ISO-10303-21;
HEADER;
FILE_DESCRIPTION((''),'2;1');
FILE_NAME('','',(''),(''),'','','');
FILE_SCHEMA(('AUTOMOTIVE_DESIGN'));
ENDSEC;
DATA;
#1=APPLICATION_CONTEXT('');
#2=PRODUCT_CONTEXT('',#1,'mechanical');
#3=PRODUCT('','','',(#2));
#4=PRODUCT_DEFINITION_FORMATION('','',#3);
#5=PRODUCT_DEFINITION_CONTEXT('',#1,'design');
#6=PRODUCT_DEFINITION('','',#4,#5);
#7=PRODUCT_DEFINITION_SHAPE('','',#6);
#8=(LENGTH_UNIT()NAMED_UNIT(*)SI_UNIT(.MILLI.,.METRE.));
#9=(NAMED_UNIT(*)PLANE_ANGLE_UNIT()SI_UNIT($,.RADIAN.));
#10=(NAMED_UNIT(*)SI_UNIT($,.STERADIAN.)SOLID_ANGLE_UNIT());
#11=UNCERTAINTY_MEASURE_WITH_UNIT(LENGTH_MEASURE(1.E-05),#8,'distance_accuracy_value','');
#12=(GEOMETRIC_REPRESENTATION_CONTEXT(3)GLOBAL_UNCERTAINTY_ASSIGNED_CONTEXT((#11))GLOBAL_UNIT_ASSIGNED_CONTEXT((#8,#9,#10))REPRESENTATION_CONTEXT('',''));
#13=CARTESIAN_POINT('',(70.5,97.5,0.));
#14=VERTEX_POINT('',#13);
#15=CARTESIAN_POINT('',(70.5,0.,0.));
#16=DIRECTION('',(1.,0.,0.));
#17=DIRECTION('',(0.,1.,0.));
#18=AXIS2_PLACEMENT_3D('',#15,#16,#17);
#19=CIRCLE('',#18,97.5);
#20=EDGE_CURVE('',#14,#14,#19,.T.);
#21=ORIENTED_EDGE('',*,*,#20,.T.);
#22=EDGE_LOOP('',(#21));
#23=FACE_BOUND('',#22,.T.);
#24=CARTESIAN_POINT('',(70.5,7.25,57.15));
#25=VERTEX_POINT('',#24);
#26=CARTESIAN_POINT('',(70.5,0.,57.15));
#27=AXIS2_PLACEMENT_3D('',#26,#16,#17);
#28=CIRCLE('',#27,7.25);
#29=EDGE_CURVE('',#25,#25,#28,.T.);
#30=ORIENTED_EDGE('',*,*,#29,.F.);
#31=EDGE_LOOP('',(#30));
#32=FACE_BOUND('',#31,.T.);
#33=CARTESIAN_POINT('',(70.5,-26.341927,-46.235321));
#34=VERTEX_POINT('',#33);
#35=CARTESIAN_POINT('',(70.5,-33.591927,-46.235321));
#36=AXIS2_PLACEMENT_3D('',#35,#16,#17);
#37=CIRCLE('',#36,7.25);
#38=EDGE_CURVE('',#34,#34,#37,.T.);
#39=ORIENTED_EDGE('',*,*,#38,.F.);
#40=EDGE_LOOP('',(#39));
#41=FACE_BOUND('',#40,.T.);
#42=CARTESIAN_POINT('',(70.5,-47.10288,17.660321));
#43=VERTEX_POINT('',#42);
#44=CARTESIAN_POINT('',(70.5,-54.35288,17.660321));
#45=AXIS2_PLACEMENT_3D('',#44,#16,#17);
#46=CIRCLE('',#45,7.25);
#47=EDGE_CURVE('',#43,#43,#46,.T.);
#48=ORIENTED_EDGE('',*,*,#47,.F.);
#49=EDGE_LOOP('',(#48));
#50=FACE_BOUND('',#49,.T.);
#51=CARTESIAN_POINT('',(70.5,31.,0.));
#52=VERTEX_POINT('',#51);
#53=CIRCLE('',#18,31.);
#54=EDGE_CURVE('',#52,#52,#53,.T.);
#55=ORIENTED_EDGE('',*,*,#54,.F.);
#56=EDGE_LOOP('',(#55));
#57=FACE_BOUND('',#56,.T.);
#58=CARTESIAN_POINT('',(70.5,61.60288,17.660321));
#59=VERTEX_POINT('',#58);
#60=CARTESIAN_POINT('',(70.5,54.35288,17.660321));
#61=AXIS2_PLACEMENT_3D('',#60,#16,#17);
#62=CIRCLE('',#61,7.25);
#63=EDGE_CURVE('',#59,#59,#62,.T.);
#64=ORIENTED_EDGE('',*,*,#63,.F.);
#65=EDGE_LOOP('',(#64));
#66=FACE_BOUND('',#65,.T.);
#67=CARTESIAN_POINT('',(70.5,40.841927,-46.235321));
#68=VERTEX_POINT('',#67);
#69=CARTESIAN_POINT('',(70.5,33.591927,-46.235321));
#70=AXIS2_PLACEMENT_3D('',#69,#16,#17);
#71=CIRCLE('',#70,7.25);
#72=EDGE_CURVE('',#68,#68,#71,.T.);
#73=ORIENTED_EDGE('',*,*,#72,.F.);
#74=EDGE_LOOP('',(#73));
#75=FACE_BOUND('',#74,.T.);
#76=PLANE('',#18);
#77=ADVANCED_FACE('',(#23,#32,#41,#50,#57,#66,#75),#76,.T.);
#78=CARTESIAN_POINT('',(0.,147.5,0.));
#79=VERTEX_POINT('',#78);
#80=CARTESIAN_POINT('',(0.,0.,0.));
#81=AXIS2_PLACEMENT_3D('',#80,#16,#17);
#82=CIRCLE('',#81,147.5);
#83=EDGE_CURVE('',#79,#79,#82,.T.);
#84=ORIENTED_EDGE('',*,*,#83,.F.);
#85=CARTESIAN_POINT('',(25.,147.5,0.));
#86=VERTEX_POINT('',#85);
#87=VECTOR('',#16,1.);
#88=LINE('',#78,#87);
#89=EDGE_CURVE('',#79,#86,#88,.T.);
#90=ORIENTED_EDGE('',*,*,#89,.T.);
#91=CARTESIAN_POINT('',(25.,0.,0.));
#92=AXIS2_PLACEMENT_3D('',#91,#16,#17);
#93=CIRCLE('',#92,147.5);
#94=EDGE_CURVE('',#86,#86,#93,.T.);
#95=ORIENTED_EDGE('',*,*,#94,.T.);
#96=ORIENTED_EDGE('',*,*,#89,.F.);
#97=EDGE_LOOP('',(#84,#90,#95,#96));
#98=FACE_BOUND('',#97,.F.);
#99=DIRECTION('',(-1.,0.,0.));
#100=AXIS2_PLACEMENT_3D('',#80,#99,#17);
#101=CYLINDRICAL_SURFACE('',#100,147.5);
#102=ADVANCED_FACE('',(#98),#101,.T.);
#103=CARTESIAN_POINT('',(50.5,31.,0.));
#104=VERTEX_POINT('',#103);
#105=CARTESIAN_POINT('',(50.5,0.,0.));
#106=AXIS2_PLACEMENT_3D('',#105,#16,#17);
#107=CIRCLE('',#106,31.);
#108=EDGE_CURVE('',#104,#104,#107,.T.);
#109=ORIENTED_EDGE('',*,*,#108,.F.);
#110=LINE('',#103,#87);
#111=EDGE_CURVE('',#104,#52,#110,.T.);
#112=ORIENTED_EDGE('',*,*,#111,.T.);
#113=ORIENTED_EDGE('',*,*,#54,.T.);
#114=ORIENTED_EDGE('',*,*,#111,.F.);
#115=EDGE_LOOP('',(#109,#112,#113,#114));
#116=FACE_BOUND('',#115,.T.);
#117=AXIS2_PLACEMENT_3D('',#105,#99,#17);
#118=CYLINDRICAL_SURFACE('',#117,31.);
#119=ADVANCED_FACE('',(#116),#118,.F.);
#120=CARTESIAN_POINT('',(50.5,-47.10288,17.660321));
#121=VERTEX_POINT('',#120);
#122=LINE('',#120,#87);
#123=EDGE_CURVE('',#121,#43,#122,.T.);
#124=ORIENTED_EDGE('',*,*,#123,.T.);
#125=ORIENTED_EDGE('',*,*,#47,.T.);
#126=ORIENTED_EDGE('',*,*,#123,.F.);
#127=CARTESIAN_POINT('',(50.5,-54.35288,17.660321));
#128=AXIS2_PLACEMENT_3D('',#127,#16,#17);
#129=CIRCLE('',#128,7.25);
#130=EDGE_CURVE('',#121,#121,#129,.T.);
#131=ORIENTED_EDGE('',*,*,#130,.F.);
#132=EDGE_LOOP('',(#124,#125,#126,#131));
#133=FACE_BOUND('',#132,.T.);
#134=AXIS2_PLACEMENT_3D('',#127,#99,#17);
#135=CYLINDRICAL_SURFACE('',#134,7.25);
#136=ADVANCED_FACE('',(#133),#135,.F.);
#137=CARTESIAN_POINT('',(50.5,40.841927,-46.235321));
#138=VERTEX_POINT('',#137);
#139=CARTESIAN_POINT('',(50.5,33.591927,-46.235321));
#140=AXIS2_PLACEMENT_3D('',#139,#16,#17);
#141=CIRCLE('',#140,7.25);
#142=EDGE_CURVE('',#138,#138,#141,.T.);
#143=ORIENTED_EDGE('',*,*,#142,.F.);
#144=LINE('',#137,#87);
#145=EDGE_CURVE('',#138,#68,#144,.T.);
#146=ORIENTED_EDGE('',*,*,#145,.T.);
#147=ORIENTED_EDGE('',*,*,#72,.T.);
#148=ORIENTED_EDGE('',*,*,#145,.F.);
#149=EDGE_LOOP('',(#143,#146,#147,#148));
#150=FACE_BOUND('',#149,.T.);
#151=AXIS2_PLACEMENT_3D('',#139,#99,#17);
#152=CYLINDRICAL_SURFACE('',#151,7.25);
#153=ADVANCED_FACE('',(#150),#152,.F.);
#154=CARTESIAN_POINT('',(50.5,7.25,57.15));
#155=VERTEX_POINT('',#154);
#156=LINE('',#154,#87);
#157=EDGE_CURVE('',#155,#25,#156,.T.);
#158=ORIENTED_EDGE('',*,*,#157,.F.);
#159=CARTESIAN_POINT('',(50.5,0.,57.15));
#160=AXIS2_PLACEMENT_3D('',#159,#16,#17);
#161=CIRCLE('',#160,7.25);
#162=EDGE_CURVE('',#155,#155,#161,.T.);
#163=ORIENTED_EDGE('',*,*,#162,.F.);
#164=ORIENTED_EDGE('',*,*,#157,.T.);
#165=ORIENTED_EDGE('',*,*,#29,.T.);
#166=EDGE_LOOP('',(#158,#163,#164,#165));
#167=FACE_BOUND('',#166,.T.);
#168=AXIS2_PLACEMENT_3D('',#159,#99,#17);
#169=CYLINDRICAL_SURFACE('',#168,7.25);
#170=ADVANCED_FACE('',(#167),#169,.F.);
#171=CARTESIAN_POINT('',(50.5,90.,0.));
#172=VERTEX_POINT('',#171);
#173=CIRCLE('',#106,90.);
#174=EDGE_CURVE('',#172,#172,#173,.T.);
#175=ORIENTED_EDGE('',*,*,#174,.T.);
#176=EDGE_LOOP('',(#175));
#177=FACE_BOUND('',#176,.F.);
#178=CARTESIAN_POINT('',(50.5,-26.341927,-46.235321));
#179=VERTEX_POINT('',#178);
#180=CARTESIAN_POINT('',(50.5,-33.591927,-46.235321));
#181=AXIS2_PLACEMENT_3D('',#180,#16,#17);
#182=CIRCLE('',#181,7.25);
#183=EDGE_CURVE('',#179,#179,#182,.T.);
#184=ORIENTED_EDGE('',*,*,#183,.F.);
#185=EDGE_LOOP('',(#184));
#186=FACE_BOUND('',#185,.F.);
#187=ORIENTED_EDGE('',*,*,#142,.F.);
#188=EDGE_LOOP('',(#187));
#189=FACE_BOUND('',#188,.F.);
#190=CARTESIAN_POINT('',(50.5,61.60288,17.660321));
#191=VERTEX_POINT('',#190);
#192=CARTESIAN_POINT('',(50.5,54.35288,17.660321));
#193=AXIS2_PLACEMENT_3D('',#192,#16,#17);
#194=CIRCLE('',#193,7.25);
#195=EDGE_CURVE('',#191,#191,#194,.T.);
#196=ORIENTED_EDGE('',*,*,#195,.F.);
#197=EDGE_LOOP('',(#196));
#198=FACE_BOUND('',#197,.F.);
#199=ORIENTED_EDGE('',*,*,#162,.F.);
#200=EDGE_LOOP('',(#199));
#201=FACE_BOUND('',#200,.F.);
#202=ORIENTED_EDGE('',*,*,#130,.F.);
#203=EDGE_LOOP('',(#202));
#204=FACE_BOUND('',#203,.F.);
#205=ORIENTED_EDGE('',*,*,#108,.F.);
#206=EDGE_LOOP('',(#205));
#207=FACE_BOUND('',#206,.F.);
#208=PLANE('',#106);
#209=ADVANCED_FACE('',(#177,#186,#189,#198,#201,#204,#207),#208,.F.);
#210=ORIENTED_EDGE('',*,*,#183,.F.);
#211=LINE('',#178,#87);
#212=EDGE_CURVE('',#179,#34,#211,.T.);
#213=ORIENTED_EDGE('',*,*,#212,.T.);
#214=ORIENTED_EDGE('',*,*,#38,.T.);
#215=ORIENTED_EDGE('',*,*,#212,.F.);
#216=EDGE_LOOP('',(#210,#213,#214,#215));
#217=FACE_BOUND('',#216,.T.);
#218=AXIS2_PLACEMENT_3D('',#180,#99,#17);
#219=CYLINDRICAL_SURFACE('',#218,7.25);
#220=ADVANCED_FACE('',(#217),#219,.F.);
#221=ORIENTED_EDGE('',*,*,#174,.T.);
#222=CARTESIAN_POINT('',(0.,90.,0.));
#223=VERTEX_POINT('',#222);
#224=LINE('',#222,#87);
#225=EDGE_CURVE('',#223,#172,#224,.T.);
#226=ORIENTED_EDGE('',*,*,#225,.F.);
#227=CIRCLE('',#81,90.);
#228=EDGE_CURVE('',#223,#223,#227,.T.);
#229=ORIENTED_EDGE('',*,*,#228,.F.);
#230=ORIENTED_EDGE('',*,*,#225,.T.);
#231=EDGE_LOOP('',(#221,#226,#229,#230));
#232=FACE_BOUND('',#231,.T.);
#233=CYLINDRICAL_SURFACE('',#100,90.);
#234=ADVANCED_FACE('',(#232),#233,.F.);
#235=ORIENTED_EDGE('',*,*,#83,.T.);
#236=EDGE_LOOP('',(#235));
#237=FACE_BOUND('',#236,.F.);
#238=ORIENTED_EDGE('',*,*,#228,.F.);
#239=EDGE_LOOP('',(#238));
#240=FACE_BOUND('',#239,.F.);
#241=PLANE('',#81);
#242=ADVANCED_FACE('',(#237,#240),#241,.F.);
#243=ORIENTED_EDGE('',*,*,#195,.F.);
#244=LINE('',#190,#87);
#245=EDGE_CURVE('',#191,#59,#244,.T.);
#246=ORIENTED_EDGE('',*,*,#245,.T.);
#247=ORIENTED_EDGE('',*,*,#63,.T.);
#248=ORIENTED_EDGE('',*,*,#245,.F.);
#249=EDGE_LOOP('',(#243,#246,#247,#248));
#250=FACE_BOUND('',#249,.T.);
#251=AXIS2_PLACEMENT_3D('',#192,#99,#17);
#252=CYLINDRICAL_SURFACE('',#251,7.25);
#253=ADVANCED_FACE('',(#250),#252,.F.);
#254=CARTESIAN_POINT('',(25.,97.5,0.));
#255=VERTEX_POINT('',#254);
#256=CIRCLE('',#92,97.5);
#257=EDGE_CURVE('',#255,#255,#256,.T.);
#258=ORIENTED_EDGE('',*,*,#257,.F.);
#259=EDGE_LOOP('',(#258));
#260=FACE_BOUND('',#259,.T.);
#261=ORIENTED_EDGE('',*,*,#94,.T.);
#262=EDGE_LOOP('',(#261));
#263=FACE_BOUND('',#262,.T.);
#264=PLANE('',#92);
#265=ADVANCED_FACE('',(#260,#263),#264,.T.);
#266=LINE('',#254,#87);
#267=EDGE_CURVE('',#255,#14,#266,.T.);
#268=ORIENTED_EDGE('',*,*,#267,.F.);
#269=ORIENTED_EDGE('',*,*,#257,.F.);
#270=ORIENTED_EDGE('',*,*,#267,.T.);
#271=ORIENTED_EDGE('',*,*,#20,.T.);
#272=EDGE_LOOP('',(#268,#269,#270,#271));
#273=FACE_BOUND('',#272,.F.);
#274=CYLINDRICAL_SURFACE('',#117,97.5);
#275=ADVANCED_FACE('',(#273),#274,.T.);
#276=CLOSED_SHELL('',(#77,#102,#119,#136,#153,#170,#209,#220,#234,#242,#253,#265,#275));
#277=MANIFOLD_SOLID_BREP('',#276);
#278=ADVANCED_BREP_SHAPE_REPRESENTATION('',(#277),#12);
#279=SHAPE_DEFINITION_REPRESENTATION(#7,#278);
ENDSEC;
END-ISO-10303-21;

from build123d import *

# Parameters (mm, degrees)
F0_R     = 147.5
F0_R_2   = 97.5
F1_DEPTH = 25
F0_R_3   = 90
F2_DEPTH = 50.5
F4_R     = 97.5
F4_R_2   = 7.25
F4_R_3   = 31
F5_DEPTH = 20


with BuildPart() as f1:
    # F0 (on Right) → F1 (new body)
    with BuildSketch(Plane.YZ):
        Circle(F0_R)
        Circle(F0_R_2, mode=Mode.SUBTRACT)
    extrude(amount=F1_DEPTH)

    # F0 (on Right) → F2 (join)
    with BuildSketch(Plane.YZ):
        Circle(F0_R_2)
        Circle(F0_R_3, mode=Mode.SUBTRACT)
    extrude(amount=F2_DEPTH)

    # F4 (on offset) → F5 (join)
    with BuildSketch(Plane.YZ.offset(50.5)):
        Circle(F4_R)
        with Locations((-33.591927, -46.235321)):
            Circle(F4_R_2, mode=Mode.SUBTRACT)
        with Locations((33.591927, -46.235321)):
            Circle(F4_R_2, mode=Mode.SUBTRACT)
        with Locations((-54.35288, 17.660321)):
            Circle(F4_R_2, mode=Mode.SUBTRACT)
        Circle(F4_R_3, mode=Mode.SUBTRACT)
        with Locations((54.35288, 17.660321)):
            Circle(F4_R_2, mode=Mode.SUBTRACT)
        with Locations((0, 57.15)):
            Circle(F4_R_2, mode=Mode.SUBTRACT)
    extrude(amount=F5_DEPTH)


solid = f1.part
